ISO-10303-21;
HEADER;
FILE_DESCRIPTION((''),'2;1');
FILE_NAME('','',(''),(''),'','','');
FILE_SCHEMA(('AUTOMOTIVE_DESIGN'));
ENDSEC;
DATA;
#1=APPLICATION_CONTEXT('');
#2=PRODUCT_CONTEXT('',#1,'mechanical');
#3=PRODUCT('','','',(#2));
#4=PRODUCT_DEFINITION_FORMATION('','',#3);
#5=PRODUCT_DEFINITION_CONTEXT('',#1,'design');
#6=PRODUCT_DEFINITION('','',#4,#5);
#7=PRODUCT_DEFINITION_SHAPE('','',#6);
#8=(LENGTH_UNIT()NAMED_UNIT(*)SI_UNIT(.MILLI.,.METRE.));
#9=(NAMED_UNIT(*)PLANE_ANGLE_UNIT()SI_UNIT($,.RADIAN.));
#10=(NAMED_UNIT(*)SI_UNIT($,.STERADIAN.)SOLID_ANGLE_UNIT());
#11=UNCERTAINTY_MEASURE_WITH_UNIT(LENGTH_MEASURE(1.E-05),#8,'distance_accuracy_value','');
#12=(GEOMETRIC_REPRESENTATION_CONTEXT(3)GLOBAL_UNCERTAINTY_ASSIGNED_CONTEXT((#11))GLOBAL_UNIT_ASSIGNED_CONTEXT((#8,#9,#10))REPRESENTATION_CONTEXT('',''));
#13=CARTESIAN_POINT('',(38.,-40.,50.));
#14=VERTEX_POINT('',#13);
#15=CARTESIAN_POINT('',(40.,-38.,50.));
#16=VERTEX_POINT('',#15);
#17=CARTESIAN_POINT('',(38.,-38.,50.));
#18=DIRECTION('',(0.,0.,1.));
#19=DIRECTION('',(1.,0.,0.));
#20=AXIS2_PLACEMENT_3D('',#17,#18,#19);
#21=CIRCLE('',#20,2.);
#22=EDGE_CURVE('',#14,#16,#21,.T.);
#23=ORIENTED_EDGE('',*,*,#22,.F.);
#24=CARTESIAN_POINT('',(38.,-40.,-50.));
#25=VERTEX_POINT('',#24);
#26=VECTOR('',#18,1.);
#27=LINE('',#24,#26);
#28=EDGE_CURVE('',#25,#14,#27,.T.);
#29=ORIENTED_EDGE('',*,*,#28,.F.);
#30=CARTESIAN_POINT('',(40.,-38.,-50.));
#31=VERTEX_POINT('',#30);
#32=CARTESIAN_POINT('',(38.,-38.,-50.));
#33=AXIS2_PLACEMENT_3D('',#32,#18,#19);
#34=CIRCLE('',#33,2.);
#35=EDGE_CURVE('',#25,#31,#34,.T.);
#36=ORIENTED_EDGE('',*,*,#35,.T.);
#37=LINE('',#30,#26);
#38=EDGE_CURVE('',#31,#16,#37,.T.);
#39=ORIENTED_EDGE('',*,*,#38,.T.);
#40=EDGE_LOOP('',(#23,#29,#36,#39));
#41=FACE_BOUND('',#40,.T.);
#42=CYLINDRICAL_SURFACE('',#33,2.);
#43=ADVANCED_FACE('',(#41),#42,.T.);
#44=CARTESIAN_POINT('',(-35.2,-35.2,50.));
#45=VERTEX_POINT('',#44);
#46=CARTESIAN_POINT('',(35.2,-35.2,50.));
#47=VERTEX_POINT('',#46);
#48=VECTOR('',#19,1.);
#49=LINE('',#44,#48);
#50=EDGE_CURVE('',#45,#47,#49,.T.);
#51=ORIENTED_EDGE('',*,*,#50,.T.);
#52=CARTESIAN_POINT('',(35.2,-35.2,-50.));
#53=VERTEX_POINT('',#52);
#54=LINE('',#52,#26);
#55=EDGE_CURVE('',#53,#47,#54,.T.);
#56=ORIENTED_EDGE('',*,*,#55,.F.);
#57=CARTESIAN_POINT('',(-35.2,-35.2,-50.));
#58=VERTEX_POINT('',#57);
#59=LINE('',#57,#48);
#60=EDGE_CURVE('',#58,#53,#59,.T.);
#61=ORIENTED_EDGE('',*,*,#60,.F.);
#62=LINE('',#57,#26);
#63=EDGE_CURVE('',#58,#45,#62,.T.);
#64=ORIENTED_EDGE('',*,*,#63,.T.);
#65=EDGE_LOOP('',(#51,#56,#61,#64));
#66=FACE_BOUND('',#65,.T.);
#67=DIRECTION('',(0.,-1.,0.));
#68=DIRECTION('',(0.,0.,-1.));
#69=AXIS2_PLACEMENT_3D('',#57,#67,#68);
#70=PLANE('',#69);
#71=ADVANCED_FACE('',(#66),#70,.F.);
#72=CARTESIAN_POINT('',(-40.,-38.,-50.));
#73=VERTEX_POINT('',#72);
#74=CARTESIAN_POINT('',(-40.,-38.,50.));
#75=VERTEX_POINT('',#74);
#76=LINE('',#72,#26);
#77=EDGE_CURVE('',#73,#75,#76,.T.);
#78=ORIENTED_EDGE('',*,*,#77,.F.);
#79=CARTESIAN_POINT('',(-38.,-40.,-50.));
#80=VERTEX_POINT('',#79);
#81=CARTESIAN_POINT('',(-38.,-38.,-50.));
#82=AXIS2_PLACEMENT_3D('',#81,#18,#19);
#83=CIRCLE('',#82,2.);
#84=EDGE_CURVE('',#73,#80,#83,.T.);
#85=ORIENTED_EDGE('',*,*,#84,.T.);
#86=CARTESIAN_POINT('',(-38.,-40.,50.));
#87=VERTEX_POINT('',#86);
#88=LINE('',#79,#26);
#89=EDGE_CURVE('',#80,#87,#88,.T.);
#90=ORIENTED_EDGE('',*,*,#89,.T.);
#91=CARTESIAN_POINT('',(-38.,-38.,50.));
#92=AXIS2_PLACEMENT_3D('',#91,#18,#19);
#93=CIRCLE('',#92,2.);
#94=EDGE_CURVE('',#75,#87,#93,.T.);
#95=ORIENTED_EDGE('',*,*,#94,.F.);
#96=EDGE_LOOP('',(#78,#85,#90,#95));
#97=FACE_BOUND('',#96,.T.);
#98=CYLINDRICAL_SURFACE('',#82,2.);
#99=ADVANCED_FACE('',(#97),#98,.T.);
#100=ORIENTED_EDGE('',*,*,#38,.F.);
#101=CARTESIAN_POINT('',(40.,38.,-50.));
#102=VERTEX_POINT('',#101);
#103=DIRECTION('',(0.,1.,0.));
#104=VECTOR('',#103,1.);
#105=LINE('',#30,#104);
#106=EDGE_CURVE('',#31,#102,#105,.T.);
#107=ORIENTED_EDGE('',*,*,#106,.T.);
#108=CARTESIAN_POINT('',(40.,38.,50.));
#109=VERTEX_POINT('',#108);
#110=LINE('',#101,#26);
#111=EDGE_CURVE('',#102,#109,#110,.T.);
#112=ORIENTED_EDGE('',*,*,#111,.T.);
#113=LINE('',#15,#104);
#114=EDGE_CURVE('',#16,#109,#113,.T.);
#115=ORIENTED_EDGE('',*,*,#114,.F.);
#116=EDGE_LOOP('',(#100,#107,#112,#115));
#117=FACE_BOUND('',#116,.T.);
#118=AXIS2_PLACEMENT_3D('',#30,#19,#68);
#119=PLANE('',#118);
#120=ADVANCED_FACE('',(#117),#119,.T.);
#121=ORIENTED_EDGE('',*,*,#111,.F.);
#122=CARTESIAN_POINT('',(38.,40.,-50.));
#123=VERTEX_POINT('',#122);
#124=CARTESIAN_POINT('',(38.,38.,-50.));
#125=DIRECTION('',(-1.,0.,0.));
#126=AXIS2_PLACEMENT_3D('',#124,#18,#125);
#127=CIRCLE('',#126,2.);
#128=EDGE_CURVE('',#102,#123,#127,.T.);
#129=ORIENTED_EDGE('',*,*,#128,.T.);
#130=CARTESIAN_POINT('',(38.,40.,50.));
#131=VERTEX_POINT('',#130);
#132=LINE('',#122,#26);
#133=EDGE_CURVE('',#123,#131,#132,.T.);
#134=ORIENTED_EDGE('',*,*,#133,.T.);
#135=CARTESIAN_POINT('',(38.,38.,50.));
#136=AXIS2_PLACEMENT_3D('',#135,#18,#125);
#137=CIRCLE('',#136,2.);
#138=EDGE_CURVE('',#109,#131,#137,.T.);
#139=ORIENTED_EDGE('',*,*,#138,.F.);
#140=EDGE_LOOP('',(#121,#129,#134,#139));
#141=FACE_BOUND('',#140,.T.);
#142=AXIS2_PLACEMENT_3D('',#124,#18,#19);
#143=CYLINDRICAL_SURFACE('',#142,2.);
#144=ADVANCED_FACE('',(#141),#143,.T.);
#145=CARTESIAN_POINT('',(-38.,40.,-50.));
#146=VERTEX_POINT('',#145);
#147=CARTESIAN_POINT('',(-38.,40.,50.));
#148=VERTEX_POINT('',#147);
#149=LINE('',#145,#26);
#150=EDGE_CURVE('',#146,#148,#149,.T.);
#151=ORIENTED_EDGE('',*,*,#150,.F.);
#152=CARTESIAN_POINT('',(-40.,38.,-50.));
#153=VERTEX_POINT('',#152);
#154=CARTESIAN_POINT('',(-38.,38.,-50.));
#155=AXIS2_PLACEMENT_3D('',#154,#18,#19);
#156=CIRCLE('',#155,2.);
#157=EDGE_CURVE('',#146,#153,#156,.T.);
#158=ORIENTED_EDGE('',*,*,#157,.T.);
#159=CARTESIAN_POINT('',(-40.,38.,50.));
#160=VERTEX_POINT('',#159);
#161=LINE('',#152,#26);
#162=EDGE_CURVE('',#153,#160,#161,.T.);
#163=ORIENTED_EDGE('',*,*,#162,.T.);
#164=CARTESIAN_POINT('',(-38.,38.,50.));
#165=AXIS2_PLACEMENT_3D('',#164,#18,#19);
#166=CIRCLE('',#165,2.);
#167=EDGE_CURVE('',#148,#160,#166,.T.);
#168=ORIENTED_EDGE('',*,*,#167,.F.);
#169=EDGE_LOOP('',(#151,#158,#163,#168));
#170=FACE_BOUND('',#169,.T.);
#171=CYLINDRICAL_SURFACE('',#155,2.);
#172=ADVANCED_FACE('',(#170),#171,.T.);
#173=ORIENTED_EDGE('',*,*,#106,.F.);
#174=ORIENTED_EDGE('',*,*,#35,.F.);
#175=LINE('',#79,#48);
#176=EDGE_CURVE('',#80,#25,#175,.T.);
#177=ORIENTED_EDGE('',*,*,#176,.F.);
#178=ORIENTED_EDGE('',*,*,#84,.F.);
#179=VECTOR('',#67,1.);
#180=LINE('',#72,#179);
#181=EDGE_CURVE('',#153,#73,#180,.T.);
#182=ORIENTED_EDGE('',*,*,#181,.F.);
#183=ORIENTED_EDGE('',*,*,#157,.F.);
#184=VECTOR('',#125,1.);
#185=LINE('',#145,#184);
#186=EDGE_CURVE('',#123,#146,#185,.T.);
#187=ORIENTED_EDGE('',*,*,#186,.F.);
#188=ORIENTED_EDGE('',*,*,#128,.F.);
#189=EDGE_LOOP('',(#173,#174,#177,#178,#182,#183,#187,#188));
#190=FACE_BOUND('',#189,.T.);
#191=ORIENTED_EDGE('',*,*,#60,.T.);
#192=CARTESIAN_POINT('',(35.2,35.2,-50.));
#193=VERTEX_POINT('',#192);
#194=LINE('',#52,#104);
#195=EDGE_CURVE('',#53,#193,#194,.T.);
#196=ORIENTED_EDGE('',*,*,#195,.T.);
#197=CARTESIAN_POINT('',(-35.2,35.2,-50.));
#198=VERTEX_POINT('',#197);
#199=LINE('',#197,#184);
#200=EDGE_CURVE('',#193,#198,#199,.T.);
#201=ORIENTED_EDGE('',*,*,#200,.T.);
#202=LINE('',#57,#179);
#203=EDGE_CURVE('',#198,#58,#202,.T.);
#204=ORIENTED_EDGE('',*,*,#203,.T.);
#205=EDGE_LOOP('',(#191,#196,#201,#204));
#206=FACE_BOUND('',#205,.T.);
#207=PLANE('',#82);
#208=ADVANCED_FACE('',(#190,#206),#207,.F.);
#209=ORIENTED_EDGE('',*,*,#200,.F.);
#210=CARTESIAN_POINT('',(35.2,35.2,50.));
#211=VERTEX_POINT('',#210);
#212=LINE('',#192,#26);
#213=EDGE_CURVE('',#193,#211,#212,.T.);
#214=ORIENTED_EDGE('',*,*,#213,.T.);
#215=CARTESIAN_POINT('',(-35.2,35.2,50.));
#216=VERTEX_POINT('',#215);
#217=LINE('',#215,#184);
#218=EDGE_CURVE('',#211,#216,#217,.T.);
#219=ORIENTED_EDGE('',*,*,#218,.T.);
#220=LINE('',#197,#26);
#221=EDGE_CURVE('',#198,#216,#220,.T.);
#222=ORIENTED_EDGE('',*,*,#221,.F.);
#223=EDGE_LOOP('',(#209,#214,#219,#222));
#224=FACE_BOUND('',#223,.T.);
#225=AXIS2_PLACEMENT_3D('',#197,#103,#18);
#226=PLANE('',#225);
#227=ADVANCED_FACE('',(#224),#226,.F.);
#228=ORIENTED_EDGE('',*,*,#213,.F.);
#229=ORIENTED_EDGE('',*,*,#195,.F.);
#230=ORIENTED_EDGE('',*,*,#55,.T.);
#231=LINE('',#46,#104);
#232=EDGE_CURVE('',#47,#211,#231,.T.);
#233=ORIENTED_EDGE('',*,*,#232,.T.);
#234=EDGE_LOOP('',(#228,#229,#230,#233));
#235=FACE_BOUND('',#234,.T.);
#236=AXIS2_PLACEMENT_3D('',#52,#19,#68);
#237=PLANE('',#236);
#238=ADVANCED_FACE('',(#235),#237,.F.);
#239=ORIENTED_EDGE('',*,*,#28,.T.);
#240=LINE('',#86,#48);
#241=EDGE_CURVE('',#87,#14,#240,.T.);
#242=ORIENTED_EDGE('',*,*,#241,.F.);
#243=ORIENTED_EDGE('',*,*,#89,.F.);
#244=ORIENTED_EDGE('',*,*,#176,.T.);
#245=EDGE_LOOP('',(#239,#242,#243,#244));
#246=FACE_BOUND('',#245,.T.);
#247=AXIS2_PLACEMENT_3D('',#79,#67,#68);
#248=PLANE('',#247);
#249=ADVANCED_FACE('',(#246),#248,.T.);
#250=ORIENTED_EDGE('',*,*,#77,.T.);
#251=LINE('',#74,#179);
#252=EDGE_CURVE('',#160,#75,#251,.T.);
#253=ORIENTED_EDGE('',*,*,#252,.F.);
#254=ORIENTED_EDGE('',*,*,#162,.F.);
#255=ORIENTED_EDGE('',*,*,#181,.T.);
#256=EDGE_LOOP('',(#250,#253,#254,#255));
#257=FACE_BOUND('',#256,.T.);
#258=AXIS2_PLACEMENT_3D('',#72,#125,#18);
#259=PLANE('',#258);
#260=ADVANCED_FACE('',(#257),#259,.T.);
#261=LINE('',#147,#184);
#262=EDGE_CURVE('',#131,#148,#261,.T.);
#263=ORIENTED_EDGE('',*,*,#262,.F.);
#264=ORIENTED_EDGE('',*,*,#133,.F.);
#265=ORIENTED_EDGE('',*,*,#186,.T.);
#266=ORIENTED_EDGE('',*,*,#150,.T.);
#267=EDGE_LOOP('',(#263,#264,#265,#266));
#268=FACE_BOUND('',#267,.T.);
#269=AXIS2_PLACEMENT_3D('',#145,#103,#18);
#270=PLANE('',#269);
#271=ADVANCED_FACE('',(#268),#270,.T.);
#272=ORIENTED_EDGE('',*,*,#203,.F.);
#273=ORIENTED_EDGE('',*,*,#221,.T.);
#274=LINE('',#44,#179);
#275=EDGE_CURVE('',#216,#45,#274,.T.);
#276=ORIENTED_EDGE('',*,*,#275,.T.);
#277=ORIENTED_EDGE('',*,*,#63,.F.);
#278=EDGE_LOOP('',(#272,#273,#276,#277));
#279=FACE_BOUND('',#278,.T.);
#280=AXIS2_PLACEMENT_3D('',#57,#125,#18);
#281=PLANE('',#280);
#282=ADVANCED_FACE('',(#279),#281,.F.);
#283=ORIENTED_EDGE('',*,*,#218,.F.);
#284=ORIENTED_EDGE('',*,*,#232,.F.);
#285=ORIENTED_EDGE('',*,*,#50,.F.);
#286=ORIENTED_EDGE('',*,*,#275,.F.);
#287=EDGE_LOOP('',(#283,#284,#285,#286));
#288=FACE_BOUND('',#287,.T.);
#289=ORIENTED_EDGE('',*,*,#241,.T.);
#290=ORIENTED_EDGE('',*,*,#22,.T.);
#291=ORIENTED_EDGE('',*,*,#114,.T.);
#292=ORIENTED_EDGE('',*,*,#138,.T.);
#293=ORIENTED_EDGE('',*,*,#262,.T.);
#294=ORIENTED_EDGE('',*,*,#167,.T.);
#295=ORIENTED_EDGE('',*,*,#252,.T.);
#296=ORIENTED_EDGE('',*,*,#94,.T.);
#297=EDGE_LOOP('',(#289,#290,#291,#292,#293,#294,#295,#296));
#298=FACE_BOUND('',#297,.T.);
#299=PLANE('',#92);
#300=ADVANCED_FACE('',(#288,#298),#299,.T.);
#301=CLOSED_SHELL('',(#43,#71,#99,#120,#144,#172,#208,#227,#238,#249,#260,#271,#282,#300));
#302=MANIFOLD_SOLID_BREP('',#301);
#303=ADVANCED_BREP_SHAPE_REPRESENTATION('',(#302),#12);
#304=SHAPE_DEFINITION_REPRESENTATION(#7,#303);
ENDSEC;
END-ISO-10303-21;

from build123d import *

# Parameters (mm, degrees)
ESBO_O1_W                = 70.4
ESBO_O1_H                = 70.4
RESSALTO_EXTRUS_O1_DEPTH = 50


with BuildPart() as part:
    # Esboço1 → Ressalto-extrusão1 (new, symmetric)
    with BuildSketch(Plane.XY):
        with BuildLine():
            Line((-38, -40), (38, -40))
            ThreePointArc((38, -40), (39.414213562, -39.414213562), (40, -38))
            Line((40, -38), (40, 38))
            ThreePointArc((40, 38), (39.414213562, 39.414213562), (38, 40))
            Line((38, 40), (-38, 40))
            ThreePointArc((-38, 40), (-39.414213562, 39.414213562), (-40, 38))
            Line((-40, 38), (-40, -38))
            ThreePointArc((-40, -38), (-39.414213562, -39.414213562), (-38, -40))
        make_face()
        Rectangle(ESBO_O1_W, ESBO_O1_H, mode=Mode.SUBTRACT)
    extrude(amount=RESSALTO_EXTRUS_O1_DEPTH, both=True)


solid = part.part
